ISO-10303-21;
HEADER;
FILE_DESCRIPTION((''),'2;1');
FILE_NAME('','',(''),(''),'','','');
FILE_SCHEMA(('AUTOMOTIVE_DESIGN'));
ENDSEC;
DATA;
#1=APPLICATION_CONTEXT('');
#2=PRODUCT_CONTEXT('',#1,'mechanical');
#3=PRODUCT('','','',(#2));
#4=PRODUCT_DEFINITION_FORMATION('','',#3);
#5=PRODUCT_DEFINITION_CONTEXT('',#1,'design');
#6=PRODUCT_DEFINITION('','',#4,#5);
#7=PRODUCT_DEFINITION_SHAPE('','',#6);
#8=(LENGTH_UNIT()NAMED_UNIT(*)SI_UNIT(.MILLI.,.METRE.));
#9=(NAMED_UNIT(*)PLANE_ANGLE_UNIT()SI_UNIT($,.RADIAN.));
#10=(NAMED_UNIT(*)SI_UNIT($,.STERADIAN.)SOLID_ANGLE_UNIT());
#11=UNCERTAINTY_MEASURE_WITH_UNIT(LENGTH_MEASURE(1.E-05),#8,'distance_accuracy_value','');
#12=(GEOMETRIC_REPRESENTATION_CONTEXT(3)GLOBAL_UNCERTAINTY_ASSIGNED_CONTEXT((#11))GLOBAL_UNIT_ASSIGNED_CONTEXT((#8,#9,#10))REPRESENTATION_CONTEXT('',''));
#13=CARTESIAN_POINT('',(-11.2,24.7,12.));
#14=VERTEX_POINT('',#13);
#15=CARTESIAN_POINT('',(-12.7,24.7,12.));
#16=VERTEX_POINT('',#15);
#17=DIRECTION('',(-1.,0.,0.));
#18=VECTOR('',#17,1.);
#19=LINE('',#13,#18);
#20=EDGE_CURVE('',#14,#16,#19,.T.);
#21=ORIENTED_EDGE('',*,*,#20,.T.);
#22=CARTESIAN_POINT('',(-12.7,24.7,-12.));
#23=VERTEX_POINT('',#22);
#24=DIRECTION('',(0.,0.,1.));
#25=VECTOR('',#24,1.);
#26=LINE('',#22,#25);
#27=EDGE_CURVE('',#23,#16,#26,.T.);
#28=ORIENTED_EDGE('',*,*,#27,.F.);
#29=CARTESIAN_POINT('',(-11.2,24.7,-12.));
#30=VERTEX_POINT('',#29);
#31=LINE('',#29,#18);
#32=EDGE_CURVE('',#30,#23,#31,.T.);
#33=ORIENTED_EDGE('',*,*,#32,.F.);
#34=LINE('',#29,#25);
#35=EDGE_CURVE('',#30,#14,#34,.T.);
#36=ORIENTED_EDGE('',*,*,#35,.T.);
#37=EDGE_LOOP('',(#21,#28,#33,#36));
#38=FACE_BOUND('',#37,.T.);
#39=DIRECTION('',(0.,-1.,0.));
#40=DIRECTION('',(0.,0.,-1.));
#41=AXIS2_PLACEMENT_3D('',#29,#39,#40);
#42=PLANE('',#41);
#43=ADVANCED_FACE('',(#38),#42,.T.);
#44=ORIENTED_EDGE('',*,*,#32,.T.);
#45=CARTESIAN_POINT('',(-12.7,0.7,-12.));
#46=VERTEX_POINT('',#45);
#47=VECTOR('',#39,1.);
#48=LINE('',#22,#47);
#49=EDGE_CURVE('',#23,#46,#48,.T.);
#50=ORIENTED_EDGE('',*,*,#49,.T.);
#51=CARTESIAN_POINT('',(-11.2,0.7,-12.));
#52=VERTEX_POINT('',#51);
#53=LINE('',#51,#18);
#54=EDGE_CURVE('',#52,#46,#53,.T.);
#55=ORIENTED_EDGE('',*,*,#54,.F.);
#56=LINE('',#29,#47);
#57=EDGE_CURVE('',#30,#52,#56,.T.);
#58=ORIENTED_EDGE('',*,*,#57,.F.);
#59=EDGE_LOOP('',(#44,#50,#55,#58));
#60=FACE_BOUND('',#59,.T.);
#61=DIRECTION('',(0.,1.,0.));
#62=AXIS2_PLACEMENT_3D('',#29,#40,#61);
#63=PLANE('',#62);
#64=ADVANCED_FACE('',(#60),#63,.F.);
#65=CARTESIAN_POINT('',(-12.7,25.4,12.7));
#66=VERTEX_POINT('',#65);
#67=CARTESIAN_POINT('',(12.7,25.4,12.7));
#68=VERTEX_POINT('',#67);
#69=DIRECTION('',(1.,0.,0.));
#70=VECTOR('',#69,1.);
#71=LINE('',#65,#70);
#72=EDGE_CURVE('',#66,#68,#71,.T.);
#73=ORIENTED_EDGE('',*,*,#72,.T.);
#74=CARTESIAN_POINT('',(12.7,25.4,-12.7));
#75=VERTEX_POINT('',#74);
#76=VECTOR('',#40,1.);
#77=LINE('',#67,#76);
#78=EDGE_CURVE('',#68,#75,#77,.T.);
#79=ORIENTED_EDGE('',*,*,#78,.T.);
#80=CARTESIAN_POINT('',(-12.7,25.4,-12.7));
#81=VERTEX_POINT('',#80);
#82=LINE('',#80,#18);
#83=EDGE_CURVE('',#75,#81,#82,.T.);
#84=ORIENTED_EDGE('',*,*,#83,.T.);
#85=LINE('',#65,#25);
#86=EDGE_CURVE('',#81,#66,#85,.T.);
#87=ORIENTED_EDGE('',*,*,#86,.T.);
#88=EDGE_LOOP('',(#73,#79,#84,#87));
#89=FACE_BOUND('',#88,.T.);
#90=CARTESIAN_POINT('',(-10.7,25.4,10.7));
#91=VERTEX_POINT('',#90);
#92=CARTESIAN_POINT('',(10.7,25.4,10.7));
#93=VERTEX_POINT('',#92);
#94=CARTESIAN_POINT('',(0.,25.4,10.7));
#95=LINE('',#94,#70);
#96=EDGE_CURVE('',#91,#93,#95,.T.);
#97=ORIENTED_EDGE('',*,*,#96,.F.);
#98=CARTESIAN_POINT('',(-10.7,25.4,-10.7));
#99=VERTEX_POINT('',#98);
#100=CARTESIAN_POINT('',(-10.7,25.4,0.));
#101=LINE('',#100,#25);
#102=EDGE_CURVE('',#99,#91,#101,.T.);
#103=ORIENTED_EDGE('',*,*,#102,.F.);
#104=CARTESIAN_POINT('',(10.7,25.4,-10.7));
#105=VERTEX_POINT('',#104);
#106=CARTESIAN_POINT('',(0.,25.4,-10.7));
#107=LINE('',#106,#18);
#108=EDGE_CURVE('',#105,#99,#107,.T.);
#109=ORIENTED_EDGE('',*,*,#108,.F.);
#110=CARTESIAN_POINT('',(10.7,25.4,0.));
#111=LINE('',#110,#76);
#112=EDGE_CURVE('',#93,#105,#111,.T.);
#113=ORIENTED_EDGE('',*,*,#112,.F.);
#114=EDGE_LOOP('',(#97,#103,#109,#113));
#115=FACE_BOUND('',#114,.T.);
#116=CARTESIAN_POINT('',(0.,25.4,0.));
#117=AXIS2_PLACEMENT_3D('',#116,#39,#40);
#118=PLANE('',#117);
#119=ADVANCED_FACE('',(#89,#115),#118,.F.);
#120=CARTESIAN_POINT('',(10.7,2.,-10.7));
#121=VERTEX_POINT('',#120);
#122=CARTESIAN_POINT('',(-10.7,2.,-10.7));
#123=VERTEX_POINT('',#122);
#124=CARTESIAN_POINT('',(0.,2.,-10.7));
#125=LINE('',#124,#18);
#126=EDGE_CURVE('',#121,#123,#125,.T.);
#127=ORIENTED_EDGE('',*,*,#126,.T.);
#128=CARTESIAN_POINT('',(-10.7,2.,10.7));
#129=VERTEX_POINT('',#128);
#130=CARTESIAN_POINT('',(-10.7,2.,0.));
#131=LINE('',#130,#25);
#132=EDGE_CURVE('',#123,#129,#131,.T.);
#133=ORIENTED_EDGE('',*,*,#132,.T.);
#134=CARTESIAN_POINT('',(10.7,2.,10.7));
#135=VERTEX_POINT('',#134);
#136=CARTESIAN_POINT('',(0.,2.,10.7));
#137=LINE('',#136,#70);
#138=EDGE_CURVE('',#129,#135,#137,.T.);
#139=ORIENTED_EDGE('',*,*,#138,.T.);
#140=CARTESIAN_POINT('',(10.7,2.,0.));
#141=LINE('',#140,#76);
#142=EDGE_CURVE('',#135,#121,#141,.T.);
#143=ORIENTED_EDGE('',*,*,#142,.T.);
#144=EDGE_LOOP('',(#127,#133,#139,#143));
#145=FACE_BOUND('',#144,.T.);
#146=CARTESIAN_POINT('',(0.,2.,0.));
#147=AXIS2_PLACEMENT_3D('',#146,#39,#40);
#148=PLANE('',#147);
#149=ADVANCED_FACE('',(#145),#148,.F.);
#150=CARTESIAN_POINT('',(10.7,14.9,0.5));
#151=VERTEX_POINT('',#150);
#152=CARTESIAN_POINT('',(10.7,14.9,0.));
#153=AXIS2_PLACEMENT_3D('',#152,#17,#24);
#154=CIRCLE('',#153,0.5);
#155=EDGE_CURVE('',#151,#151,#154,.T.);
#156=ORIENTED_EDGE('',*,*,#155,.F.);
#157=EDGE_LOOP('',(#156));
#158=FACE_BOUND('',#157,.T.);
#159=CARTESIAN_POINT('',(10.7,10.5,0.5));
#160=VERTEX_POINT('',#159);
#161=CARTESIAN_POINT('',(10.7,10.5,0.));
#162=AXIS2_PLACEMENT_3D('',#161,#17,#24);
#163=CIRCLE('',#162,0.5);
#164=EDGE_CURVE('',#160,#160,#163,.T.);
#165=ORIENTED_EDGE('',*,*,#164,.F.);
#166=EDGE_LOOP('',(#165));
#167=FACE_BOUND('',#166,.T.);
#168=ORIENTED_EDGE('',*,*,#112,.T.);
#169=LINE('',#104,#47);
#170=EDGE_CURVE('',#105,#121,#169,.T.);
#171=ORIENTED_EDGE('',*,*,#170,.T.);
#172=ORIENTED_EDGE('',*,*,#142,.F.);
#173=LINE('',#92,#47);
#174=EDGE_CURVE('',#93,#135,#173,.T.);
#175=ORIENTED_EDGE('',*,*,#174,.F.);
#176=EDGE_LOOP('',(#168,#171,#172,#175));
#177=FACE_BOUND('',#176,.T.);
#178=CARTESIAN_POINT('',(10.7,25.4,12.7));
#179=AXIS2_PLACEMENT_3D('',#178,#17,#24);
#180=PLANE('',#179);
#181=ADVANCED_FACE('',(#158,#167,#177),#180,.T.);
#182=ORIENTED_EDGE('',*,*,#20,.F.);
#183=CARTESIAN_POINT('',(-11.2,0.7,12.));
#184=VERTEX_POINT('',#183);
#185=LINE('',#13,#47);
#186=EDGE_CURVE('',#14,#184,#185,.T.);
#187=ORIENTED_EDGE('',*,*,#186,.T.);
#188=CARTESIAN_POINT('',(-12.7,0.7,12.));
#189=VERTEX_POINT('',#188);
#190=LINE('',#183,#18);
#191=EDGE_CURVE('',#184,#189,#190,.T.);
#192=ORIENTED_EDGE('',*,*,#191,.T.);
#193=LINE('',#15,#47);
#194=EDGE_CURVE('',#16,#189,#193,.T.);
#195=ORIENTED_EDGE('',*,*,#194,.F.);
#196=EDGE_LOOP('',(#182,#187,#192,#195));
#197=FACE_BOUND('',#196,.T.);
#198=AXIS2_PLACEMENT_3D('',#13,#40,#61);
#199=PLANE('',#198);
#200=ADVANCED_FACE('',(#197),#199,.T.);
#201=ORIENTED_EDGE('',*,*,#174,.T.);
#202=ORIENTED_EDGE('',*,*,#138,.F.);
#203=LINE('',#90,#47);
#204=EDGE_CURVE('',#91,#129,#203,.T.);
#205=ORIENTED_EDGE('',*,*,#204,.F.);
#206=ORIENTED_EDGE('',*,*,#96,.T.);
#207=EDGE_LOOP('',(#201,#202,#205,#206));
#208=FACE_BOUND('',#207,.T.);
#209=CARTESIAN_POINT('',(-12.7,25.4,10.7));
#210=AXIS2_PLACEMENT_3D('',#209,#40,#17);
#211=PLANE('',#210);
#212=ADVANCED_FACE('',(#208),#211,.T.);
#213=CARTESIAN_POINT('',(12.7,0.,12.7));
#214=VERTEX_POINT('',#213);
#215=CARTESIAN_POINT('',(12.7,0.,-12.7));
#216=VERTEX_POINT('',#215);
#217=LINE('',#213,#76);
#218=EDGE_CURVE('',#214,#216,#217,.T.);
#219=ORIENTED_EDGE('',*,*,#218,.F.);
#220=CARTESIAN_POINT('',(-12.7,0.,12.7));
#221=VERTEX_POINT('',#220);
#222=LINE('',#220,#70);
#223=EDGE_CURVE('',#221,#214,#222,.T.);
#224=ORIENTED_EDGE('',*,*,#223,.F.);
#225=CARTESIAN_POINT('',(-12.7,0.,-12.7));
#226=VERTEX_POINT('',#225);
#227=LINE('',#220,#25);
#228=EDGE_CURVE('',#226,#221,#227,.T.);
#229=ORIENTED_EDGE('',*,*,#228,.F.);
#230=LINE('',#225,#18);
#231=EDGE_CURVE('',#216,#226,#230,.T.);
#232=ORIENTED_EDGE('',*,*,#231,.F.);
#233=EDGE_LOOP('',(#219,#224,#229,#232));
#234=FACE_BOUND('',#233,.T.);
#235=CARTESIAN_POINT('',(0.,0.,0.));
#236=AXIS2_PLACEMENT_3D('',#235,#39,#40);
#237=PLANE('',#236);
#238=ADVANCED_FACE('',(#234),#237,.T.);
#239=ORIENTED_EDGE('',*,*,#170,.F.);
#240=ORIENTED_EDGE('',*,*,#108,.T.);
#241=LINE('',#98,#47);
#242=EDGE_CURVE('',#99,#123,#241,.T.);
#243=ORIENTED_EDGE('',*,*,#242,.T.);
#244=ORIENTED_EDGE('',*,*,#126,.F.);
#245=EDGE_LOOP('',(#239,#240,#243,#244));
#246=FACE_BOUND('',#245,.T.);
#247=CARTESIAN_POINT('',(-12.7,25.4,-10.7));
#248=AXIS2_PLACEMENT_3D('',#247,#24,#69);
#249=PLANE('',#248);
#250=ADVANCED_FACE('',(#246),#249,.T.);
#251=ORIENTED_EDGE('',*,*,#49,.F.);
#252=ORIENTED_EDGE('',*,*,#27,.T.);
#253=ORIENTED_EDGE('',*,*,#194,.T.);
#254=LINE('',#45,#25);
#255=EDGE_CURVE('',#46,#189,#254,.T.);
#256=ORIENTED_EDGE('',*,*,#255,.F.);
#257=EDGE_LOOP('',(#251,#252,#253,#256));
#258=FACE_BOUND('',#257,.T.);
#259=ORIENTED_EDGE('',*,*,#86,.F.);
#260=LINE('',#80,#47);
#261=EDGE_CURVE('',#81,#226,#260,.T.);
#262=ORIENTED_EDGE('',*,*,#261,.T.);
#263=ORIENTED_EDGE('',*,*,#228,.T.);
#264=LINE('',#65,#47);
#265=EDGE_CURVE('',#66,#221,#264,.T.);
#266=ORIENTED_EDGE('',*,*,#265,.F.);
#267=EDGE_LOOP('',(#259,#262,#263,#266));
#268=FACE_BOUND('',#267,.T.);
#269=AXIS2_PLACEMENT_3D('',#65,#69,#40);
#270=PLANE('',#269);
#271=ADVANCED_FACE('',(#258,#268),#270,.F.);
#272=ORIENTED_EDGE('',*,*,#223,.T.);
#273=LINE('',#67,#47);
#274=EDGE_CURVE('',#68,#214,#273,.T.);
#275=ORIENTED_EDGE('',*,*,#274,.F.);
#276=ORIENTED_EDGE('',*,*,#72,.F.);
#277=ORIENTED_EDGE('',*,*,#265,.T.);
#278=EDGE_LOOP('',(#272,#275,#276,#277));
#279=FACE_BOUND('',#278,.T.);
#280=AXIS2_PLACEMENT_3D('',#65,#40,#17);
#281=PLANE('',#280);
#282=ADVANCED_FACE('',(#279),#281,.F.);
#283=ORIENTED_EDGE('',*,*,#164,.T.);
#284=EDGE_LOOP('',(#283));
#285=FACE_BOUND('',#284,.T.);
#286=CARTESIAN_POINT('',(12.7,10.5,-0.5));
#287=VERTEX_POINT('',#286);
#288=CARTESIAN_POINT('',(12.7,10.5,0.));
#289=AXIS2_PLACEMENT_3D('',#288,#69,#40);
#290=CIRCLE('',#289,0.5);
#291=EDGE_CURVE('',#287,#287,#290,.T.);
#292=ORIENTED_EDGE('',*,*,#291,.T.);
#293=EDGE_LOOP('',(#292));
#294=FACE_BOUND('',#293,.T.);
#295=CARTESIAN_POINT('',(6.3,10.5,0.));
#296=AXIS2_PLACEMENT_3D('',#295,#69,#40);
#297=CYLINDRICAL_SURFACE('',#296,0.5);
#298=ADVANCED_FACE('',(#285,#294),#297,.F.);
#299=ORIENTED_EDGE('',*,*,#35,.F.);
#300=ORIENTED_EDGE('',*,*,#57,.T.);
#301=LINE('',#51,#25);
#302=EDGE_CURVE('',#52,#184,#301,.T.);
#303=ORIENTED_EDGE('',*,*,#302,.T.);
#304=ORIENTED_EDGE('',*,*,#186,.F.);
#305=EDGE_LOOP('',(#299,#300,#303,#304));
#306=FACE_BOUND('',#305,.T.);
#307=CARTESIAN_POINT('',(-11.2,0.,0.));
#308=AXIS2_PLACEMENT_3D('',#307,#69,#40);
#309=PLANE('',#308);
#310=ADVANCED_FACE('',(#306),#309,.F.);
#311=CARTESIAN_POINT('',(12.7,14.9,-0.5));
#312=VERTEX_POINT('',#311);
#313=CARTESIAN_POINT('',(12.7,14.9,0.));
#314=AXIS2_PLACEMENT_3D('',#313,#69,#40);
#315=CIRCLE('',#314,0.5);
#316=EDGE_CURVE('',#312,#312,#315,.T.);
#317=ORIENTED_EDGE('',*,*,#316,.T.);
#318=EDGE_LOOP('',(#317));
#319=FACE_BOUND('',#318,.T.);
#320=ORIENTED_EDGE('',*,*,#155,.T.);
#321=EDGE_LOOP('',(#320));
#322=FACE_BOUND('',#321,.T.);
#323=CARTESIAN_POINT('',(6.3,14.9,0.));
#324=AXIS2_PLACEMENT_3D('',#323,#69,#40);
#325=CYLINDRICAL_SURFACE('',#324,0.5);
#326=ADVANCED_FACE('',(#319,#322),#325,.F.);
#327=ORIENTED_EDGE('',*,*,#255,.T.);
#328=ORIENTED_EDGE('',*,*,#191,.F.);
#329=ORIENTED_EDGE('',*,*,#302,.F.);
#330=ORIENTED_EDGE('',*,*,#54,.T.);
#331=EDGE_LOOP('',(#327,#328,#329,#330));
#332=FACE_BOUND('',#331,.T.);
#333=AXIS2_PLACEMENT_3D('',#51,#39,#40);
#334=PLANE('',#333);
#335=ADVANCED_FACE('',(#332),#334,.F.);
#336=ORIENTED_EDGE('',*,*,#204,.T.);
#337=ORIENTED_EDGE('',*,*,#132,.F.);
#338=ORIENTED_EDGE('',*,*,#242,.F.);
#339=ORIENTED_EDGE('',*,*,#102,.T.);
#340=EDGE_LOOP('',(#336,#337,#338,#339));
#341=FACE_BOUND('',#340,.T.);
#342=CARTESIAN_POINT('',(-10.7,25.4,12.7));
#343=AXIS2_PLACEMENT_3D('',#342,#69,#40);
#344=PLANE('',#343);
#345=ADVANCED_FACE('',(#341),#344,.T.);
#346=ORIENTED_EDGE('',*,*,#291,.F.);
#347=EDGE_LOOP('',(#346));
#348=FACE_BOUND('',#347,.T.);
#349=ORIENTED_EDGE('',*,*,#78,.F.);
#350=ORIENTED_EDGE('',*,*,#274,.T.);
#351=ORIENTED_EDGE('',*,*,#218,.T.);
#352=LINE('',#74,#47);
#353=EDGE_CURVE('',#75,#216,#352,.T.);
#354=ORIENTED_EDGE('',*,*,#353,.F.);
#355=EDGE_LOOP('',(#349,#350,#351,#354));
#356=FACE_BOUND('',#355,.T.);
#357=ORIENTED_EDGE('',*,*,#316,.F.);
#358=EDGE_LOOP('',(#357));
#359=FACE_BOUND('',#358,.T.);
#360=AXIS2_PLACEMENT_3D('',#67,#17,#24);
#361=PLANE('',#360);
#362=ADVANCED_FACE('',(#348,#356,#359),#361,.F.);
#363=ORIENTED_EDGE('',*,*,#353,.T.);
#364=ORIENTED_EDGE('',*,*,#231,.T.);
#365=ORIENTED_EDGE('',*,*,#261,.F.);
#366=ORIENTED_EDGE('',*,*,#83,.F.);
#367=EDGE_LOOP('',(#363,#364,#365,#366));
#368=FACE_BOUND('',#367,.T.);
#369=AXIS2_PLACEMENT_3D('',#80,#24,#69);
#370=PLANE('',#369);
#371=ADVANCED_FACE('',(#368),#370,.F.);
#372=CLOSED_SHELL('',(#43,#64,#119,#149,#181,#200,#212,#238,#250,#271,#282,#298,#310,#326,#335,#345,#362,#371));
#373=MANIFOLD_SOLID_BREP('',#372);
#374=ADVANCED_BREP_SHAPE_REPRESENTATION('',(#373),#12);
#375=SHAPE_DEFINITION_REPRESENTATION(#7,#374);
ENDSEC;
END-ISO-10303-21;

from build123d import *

# Parameters (mm, degrees)
SKETCH1_W           = 25.4
SKETCH1_H           = 25.4
BOSS_EXTRUDE1_DEPTH = 25.4
SHELL1_T            = -2
SKETCH2_R           = 0.5
CUT_EXTRUDE1_DEPTH  = 6.4
SKETCH3_R           = 0.5
CUT_EXTRUDE2_DEPTH  = 6.4
SKETCH5_W           = 24
SKETCH5_H           = 24
CUT_EXTRUDE3_DEPTH  = 1.5


with BuildPart() as part:
    # Sketch1 → Boss-Extrude1 (new body)
    with BuildSketch(Plane(origin=(0, 0, 0), x_dir=(1, 0, 0), z_dir=(0, 1, 0))):
        Rectangle(SKETCH1_W, SKETCH1_H)
    extrude(amount=BOSS_EXTRUDE1_DEPTH)

    # Shell1
    shell1_openings = [part.faces().sort_by_distance(p)[0] for p in [
        (0, 25.4, 0),
    ]]
    offset(amount=SHELL1_T, openings=shell1_openings, kind=Kind.INTERSECTION)

    # Sketch2 → Cut-Extrude1 (cut)
    with BuildSketch(Plane(origin=(12.7, 0, 0), x_dir=(0, 0, -1), z_dir=(1, 0, 0))):
        with Locations((0, 10.5)):
            Circle(SKETCH2_R)
    extrude(amount=-CUT_EXTRUDE1_DEPTH, mode=Mode.SUBTRACT)

    # Sketch3 → Cut-Extrude2 (cut)
    with BuildSketch(Plane(origin=(12.7, 0, 0), x_dir=(0, 0, -1), z_dir=(1, 0, 0))):
        with Locations((0, 14.9)):
            Circle(SKETCH3_R)
    extrude(amount=-CUT_EXTRUDE2_DEPTH, mode=Mode.SUBTRACT)

    # Sketch5 → Cut-Extrude3 (cut)
    with BuildSketch(Plane.ZY.offset(12.7)):
        with Locations((0, 12.7)):
            Rectangle(SKETCH5_W, SKETCH5_H)
    extrude(amount=-CUT_EXTRUDE3_DEPTH, mode=Mode.SUBTRACT)


solid = part.part
